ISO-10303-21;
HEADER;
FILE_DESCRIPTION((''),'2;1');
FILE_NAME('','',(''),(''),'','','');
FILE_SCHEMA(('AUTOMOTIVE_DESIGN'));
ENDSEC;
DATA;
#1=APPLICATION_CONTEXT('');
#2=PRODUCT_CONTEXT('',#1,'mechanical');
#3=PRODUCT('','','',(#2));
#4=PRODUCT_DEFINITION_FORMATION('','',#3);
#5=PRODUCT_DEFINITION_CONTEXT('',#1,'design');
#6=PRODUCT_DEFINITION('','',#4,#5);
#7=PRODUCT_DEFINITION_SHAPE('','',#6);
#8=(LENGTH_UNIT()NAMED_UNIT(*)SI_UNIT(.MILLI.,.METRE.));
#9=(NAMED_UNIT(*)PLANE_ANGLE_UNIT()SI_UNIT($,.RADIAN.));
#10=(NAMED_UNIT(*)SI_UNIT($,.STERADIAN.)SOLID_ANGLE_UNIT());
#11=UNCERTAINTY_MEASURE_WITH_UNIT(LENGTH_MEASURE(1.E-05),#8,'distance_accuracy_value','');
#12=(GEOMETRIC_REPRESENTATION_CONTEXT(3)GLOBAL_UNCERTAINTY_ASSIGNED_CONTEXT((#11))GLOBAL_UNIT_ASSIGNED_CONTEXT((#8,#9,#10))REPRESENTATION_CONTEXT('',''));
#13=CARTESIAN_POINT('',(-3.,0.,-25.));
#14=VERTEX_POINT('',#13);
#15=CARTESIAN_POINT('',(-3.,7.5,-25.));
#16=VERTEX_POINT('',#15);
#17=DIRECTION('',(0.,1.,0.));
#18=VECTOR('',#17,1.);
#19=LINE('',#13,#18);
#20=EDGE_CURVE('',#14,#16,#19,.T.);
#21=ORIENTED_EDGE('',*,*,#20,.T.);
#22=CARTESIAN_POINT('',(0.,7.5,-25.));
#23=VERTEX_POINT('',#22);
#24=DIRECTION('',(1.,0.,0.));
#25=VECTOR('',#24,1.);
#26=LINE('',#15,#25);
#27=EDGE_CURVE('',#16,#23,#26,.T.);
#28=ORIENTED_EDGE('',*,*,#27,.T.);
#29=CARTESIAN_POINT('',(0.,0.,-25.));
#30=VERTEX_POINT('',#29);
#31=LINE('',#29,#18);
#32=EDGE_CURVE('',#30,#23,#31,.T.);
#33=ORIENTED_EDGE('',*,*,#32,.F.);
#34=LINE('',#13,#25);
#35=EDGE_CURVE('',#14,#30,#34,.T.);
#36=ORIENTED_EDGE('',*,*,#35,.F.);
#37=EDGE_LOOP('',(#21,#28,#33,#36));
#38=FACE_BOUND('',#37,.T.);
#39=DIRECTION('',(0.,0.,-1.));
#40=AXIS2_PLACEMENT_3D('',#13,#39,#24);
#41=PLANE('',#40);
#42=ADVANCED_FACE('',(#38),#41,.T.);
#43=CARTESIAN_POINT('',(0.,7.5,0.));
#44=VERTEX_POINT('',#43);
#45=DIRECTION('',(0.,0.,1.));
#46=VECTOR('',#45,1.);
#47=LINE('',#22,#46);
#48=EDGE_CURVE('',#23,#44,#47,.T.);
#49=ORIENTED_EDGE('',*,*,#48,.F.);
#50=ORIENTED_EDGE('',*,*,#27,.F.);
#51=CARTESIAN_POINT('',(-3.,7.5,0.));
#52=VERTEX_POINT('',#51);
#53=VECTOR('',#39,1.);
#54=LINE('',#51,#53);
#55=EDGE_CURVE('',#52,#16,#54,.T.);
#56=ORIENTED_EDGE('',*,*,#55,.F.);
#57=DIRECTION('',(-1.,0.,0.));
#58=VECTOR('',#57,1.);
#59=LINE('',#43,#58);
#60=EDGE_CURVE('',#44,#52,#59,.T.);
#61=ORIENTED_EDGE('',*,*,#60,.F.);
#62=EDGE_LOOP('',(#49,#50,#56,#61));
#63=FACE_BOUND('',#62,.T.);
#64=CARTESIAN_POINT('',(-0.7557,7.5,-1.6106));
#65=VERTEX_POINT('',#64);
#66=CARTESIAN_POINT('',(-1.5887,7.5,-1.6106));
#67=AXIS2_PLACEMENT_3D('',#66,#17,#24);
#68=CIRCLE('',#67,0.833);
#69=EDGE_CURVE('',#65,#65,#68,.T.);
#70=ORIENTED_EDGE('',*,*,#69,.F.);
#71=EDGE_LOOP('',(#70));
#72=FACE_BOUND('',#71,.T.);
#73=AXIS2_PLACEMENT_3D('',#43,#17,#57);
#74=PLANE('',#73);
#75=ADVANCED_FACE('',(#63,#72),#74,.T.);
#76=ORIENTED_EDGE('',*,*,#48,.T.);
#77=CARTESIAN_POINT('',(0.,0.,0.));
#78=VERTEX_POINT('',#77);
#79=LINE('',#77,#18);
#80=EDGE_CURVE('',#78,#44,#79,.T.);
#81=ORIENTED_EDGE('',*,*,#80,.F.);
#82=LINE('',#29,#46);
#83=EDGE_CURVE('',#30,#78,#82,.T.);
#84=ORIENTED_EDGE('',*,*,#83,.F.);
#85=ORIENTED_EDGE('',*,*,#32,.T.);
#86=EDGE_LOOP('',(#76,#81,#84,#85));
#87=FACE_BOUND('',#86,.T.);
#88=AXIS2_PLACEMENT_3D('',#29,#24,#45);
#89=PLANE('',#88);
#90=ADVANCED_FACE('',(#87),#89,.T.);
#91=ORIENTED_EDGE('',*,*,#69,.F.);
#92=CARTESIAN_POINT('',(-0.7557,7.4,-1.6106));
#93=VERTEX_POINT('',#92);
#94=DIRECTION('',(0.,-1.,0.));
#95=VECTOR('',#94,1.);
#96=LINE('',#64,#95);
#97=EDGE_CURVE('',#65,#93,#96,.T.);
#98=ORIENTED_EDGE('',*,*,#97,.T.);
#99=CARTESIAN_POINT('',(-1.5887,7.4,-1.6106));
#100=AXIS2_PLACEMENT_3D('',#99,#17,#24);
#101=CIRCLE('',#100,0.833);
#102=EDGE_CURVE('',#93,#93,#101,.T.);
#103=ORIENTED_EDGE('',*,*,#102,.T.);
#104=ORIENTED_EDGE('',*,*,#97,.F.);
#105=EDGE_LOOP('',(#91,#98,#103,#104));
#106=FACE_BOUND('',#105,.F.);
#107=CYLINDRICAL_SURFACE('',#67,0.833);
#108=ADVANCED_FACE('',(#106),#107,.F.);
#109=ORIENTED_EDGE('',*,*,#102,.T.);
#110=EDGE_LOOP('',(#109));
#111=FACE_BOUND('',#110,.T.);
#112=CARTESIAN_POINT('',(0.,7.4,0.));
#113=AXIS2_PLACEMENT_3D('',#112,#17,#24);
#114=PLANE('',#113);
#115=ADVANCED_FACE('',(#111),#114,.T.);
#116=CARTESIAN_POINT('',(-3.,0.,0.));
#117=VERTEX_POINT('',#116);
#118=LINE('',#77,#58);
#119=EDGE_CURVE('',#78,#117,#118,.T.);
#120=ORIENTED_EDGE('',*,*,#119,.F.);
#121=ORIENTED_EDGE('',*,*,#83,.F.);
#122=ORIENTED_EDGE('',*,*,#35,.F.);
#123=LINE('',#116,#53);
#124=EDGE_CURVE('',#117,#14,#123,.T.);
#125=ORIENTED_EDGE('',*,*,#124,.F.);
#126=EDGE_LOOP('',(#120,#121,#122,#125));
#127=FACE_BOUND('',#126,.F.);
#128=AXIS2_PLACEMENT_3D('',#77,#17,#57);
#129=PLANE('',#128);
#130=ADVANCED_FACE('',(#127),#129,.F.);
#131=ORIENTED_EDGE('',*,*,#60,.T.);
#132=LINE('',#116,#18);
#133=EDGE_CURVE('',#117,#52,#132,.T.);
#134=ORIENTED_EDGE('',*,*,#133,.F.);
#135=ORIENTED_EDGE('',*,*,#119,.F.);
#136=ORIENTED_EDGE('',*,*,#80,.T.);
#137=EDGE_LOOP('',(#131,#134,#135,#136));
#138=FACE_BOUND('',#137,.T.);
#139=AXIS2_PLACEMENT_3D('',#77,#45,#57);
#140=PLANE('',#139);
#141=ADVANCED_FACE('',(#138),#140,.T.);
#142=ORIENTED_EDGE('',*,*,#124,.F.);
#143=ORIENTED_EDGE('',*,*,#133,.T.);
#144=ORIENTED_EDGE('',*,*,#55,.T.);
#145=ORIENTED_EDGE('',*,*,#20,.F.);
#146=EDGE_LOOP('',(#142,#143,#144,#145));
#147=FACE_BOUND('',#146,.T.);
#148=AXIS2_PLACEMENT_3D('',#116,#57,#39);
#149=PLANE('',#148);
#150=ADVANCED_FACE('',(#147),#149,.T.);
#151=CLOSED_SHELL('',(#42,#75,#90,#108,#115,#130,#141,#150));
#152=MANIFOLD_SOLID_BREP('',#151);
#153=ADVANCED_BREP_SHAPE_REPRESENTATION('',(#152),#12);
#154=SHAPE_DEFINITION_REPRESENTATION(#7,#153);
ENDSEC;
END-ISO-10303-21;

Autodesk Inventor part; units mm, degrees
ref_plane "YZ Plane" through (0, 0, 0) normal (1, 0, 0) x (0, 1, 0)
ref_plane "XZ Plane" through (0, 0, 0) normal (0, 1, 0) x (-1, 0, 0)
ref_plane "XY Plane" through (0, 0, 0) normal (0, 0, 1) x (1, 0, 0)
sketch "Sketch1" plane through (0, 0, 0) normal (0, 1, 0) x (-1, 0, 0)
  line L0 (0, 0) -> (3, 0)
  line L1 (3, 0) -> (3, -25)
  line L2 (3, -25) -> (0, -25)
  line L3 (0, -25) -> (0, 0)
  dimension "d0" = 3
  dimension "d1" = 25
extrude "Extrusion1" add sketch "Sketch1" along normal blind 7.5
sketch "Sketch2" plane through (0, 7.5, 0) normal (0, 1, 0) x (1, 0, 0)
  circle A0 centre (-1.5887, 1.6106) radius 0.833
  point P0 (0, 0)
extrude "Extrusion2" cut sketch "Sketch2" against normal blind 0.1
properties part number "backfrontmotorwall"
